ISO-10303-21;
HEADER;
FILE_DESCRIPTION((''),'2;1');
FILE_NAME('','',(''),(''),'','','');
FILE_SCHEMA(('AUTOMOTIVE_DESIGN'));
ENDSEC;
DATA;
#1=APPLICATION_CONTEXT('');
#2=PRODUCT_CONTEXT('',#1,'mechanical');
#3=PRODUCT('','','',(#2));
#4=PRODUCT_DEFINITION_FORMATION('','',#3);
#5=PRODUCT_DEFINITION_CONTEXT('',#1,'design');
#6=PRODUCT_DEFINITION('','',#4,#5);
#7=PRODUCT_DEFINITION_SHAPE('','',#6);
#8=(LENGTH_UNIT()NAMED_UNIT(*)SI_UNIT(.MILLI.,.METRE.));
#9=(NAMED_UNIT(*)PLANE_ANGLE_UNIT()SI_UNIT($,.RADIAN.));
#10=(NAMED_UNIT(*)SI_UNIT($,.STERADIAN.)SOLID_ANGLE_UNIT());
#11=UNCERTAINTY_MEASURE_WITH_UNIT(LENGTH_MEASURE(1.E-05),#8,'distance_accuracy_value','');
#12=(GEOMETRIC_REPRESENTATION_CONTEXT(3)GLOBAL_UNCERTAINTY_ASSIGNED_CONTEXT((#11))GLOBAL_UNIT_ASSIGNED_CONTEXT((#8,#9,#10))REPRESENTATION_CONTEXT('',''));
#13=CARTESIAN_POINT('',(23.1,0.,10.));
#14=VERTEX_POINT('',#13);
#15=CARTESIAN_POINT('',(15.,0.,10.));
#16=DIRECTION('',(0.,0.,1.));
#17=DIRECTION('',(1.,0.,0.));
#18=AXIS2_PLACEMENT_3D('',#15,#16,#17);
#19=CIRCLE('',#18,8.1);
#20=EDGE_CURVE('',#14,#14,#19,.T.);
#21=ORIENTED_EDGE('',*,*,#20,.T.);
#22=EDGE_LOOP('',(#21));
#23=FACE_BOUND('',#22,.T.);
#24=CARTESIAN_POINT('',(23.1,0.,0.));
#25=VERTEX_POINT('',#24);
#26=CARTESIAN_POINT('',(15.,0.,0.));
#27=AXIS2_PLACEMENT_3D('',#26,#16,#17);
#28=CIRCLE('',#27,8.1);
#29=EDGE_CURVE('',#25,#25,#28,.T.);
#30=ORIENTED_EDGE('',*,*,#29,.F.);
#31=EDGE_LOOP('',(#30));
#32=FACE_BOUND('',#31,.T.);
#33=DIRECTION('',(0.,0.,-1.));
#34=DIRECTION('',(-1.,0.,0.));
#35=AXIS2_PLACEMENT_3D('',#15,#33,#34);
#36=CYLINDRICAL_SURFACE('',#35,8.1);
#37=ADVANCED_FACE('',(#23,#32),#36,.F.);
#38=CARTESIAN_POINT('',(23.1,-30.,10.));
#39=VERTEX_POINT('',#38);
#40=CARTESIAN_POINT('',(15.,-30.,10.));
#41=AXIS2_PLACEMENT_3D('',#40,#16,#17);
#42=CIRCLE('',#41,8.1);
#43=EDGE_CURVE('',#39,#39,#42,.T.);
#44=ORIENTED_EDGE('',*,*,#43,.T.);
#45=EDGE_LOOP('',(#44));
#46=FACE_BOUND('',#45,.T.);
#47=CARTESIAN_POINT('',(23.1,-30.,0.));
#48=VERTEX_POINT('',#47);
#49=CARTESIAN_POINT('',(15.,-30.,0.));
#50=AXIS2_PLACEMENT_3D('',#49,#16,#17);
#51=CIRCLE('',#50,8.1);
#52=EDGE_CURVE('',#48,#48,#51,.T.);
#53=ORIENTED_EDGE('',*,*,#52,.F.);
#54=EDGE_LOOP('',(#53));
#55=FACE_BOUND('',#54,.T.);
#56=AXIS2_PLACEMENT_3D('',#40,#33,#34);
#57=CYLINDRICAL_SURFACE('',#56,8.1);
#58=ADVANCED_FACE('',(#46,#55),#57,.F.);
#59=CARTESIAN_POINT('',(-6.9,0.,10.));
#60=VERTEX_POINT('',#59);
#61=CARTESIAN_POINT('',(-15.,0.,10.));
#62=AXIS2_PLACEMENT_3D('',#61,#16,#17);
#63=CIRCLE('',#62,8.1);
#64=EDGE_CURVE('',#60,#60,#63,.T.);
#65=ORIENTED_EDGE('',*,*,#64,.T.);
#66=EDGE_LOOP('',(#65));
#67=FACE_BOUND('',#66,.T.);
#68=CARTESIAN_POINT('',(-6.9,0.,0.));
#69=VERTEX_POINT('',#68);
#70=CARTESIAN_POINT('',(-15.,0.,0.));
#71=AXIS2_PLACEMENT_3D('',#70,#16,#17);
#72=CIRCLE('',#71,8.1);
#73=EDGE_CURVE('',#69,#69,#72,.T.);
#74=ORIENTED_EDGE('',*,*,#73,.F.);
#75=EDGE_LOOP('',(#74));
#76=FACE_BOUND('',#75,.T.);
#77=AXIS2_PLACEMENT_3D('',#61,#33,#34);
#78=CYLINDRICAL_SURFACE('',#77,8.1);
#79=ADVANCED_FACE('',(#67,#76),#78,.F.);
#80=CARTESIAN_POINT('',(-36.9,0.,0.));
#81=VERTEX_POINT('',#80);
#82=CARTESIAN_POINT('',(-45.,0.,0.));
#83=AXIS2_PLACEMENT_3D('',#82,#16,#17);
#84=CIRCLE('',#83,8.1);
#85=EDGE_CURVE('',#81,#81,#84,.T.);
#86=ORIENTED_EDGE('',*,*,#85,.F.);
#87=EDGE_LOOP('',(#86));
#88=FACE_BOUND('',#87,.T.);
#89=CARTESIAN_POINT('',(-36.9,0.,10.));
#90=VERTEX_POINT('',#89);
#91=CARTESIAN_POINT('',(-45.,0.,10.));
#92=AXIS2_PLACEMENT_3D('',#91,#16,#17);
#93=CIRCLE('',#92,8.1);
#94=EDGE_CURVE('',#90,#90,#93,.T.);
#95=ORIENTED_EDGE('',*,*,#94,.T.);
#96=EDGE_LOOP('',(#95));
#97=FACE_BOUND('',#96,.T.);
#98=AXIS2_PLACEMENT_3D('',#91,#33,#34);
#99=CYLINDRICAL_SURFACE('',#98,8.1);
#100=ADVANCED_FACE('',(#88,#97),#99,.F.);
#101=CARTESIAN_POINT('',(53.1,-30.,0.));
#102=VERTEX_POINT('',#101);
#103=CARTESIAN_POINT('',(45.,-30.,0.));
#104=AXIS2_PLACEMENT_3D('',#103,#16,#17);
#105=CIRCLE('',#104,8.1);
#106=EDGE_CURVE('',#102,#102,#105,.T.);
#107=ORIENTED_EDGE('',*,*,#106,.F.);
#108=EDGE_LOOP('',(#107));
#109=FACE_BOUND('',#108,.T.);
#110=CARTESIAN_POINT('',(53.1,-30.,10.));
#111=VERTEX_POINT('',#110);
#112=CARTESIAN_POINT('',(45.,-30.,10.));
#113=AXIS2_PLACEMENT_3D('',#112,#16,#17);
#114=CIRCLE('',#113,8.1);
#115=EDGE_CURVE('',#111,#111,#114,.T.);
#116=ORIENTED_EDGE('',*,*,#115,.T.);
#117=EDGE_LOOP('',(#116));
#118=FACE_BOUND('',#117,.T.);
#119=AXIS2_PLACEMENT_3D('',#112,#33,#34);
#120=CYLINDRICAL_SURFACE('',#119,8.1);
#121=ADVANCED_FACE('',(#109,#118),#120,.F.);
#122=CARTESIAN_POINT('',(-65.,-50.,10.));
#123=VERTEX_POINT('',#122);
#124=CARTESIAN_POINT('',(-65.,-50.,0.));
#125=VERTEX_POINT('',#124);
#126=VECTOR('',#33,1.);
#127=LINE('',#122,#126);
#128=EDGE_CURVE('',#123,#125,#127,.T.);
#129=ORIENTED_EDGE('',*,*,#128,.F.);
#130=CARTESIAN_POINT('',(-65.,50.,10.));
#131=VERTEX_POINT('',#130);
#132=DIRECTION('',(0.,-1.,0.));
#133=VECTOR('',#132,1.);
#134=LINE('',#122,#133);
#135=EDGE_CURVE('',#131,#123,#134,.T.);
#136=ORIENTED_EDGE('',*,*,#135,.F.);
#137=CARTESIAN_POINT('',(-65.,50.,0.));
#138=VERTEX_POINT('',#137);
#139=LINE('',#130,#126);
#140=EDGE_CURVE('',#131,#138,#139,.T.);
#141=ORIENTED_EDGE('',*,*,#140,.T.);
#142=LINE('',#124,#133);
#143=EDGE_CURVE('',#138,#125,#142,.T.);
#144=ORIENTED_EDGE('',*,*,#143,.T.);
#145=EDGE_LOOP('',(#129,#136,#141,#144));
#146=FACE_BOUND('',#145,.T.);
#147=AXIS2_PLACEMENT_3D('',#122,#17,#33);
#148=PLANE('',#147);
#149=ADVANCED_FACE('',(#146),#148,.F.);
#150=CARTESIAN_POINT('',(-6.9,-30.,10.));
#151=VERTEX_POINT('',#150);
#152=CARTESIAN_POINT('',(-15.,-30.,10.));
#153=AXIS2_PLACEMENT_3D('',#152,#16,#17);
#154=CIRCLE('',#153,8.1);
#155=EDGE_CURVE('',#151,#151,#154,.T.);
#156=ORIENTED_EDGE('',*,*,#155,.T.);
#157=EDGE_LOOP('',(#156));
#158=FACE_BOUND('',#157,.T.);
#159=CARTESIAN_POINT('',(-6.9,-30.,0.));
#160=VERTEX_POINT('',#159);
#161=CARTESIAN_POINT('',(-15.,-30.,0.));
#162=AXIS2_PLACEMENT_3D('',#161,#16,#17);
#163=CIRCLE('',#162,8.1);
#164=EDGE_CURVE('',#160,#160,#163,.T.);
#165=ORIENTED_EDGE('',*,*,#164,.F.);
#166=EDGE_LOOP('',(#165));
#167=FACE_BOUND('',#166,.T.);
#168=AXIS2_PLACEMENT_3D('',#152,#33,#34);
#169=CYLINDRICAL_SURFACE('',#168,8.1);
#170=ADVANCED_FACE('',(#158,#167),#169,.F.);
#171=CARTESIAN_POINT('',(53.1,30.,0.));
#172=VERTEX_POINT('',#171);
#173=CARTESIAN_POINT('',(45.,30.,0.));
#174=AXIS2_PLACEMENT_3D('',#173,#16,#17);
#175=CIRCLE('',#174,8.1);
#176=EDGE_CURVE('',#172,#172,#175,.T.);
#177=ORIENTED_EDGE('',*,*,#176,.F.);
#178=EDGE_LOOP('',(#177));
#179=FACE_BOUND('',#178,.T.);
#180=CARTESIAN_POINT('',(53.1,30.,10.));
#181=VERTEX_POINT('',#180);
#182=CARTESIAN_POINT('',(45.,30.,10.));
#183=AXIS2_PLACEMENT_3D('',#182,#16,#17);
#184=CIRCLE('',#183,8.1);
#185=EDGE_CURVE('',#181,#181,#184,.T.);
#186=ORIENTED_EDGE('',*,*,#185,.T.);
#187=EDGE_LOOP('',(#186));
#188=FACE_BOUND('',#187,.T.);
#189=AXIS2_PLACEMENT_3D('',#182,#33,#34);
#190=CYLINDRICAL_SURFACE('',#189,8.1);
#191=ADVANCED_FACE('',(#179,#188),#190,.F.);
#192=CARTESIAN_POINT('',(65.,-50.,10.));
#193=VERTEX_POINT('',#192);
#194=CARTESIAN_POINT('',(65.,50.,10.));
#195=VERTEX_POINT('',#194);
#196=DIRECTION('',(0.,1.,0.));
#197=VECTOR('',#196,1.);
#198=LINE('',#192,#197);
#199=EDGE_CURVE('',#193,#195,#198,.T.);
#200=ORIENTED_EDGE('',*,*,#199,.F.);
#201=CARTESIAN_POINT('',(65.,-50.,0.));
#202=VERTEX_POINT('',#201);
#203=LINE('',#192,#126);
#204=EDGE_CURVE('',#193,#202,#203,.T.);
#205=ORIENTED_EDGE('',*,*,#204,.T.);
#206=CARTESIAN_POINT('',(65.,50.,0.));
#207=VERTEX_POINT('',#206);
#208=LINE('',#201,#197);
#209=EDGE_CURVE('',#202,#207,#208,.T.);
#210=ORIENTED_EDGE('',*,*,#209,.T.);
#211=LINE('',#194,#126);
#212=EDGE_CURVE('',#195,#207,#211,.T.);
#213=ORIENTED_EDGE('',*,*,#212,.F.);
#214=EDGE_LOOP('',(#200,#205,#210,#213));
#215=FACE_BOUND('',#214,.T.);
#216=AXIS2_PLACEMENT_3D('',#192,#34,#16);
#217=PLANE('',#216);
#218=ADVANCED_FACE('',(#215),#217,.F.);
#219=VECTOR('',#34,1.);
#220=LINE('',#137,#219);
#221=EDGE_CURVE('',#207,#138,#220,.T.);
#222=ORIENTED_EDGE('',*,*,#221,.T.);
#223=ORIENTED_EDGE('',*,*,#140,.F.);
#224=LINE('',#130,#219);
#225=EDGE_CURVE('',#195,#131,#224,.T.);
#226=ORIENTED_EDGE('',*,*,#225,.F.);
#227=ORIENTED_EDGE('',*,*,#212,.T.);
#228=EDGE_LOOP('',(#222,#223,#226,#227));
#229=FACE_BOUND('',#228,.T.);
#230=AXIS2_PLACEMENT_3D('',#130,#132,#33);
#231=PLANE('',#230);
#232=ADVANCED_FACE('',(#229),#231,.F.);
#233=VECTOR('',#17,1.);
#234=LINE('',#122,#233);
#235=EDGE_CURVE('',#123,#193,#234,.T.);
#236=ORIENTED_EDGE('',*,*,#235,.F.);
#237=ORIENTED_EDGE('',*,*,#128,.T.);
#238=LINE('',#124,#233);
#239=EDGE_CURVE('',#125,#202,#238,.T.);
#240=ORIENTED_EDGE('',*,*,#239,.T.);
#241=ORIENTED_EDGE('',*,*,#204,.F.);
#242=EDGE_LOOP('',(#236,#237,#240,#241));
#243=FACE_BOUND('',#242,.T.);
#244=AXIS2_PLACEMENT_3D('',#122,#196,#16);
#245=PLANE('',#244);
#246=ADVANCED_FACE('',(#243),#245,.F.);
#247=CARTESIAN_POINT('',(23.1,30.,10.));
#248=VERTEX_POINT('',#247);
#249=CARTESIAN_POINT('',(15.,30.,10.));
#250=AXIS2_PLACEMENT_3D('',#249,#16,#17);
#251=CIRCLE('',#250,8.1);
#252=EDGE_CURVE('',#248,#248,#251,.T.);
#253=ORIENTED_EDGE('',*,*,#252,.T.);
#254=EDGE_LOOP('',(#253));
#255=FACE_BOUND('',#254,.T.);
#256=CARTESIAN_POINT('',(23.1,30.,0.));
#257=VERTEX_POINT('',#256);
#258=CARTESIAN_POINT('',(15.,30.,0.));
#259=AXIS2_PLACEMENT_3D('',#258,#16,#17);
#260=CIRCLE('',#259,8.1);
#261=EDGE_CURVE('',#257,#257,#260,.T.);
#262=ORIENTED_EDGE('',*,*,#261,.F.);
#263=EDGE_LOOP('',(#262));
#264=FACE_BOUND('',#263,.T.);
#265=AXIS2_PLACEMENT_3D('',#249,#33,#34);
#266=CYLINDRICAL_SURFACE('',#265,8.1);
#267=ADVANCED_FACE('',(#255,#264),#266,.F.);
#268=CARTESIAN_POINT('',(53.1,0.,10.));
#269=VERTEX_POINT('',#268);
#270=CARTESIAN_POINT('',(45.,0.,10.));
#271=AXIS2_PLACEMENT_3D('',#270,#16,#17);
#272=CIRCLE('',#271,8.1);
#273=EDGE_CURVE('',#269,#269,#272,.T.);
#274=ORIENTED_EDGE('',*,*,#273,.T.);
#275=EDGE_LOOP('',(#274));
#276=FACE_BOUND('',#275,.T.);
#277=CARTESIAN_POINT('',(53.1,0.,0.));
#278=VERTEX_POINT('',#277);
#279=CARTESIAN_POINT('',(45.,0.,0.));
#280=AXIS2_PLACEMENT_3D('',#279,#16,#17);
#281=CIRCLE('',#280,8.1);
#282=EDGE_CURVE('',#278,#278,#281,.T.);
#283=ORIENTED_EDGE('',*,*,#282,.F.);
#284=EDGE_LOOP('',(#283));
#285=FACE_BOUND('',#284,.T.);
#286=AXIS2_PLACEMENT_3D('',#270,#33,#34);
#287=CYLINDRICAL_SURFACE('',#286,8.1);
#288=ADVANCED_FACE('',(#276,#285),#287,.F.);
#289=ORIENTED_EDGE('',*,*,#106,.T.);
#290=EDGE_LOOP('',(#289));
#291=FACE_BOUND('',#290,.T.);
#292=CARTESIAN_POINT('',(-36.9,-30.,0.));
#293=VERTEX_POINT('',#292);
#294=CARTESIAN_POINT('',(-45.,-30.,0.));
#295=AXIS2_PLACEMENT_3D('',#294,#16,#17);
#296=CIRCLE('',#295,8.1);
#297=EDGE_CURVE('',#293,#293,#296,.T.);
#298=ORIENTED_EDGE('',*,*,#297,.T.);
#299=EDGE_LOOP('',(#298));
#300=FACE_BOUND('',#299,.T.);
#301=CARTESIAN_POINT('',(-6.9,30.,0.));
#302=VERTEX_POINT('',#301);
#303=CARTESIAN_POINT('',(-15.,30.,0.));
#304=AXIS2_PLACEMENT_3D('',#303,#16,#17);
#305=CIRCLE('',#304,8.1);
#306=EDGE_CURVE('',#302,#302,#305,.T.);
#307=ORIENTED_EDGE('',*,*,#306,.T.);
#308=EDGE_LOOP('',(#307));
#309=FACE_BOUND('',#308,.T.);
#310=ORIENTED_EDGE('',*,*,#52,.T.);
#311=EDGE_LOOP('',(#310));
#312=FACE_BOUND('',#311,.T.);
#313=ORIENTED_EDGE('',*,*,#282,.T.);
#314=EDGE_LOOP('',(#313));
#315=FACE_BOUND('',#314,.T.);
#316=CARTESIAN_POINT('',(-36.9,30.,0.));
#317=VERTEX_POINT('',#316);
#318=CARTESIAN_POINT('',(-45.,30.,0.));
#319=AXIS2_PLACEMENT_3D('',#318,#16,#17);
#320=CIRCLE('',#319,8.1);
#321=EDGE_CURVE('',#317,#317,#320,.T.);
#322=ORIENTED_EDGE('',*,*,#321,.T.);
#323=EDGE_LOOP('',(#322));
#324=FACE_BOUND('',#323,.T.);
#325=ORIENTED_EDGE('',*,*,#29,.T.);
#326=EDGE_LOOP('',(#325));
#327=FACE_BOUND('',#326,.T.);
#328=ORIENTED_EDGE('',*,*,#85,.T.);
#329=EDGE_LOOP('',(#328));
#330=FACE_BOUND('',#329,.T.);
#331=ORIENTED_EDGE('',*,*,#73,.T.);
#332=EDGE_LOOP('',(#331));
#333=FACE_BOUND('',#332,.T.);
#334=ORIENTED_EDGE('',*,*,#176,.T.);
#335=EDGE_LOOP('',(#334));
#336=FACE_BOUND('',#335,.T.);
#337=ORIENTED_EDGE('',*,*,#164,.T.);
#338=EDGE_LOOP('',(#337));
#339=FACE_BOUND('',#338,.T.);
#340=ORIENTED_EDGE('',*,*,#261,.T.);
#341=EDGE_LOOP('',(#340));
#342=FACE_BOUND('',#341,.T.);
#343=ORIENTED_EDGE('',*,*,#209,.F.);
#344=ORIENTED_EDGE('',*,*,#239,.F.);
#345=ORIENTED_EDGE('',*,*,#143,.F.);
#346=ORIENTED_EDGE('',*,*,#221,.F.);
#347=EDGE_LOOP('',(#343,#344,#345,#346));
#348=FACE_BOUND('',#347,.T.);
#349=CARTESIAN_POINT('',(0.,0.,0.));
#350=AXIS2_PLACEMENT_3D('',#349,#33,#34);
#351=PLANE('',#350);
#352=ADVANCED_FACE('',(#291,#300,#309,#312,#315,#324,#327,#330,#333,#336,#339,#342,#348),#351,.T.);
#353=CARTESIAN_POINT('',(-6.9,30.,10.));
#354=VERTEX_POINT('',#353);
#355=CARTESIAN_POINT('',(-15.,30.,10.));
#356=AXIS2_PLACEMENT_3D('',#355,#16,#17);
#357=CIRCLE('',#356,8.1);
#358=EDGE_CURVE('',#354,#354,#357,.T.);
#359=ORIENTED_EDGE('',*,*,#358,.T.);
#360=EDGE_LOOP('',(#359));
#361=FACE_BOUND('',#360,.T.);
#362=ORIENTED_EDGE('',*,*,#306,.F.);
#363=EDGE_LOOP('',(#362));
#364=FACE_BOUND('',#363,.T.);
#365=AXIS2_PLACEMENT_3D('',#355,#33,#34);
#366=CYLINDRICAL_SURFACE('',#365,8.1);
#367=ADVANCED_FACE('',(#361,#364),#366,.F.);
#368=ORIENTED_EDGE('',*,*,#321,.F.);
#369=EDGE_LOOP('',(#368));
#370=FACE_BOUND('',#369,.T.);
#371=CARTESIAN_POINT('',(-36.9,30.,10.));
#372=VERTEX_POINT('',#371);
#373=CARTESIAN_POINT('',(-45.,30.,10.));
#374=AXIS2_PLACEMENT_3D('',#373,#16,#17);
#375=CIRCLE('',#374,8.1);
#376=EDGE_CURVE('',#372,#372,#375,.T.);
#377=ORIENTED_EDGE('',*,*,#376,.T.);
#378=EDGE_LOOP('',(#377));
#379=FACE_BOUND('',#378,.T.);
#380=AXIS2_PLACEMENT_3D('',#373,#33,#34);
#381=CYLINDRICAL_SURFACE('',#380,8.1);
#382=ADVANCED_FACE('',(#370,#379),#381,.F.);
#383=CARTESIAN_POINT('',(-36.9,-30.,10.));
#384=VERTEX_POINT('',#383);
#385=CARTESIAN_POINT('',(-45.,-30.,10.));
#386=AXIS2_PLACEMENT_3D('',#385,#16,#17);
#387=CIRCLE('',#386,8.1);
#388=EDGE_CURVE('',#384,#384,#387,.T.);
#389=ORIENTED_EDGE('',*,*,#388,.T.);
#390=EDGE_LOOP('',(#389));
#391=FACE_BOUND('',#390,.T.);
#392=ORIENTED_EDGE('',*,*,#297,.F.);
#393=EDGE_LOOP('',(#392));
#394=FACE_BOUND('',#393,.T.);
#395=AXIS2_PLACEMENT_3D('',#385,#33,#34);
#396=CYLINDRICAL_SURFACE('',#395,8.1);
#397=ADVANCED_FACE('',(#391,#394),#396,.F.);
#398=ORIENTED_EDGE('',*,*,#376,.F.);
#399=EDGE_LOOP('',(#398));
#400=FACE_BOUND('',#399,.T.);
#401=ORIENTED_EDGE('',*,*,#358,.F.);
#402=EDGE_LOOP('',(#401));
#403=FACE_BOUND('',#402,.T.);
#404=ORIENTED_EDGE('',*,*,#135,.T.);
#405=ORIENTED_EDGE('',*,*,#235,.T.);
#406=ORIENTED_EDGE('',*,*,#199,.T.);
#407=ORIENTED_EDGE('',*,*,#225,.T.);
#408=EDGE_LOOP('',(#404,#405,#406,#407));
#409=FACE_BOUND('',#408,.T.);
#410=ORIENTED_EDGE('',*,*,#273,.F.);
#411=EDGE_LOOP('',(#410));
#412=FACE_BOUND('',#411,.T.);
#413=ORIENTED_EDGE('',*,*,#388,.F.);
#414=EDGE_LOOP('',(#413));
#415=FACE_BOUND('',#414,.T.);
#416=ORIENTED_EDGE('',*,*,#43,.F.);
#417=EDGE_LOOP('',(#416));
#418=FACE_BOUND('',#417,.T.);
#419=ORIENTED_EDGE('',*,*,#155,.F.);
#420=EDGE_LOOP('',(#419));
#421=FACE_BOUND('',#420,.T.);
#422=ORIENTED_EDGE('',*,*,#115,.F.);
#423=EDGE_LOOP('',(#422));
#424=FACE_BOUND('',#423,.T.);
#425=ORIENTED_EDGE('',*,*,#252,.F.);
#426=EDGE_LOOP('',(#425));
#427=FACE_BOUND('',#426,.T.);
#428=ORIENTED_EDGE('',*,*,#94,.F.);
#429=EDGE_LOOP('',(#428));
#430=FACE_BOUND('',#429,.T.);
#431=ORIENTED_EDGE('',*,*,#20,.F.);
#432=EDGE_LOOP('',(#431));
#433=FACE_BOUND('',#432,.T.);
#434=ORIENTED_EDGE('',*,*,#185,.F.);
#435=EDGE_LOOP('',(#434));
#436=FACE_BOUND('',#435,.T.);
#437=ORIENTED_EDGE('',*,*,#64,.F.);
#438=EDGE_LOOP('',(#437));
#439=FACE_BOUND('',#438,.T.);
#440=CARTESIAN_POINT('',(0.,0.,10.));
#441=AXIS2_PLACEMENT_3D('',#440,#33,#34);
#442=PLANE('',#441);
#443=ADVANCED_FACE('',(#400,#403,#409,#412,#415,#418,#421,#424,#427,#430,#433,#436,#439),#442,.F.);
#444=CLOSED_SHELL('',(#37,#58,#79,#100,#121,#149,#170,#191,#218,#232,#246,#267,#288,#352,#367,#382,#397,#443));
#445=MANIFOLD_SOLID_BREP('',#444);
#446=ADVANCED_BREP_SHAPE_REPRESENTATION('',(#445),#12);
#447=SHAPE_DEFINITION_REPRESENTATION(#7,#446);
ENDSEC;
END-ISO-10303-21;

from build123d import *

# Parameters (mm, degrees)
CROQUIS1_W              = 130
CROQUIS1_H              = 100
CROQUIS1_R              = 8.1
SALIENTE_EXTRUIR1_DEPTH = 10


with BuildPart() as part:
    # Croquis1 → Saliente-Extruir1 (new body)
    with BuildSketch(Plane.XY):
        Rectangle(CROQUIS1_W, CROQUIS1_H)
        with Locations((-45, 30)):
            Circle(CROQUIS1_R, mode=Mode.SUBTRACT)
        with Locations((-15, 30)):
            Circle(CROQUIS1_R, mode=Mode.SUBTRACT)
        with Locations((15, 30)):
            Circle(CROQUIS1_R, mode=Mode.SUBTRACT)
        with Locations((45, 30)):
            Circle(CROQUIS1_R, mode=Mode.SUBTRACT)
        with Locations((-15, 0)):
            Circle(CROQUIS1_R, mode=Mode.SUBTRACT)
        with Locations((15, 0)):
            Circle(CROQUIS1_R, mode=Mode.SUBTRACT)
        with Locations((45, 0)):
            Circle(CROQUIS1_R, mode=Mode.SUBTRACT)
        with Locations((-15, -30)):
            Circle(CROQUIS1_R, mode=Mode.SUBTRACT)
        with Locations((15, -30)):
            Circle(CROQUIS1_R, mode=Mode.SUBTRACT)
        with Locations((45, -30)):
            Circle(CROQUIS1_R, mode=Mode.SUBTRACT)
        with Locations((-45, 0)):
            Circle(CROQUIS1_R, mode=Mode.SUBTRACT)
        with Locations((-45, -30)):
            Circle(CROQUIS1_R, mode=Mode.SUBTRACT)
    extrude(amount=SALIENTE_EXTRUIR1_DEPTH)


solid = part.part
